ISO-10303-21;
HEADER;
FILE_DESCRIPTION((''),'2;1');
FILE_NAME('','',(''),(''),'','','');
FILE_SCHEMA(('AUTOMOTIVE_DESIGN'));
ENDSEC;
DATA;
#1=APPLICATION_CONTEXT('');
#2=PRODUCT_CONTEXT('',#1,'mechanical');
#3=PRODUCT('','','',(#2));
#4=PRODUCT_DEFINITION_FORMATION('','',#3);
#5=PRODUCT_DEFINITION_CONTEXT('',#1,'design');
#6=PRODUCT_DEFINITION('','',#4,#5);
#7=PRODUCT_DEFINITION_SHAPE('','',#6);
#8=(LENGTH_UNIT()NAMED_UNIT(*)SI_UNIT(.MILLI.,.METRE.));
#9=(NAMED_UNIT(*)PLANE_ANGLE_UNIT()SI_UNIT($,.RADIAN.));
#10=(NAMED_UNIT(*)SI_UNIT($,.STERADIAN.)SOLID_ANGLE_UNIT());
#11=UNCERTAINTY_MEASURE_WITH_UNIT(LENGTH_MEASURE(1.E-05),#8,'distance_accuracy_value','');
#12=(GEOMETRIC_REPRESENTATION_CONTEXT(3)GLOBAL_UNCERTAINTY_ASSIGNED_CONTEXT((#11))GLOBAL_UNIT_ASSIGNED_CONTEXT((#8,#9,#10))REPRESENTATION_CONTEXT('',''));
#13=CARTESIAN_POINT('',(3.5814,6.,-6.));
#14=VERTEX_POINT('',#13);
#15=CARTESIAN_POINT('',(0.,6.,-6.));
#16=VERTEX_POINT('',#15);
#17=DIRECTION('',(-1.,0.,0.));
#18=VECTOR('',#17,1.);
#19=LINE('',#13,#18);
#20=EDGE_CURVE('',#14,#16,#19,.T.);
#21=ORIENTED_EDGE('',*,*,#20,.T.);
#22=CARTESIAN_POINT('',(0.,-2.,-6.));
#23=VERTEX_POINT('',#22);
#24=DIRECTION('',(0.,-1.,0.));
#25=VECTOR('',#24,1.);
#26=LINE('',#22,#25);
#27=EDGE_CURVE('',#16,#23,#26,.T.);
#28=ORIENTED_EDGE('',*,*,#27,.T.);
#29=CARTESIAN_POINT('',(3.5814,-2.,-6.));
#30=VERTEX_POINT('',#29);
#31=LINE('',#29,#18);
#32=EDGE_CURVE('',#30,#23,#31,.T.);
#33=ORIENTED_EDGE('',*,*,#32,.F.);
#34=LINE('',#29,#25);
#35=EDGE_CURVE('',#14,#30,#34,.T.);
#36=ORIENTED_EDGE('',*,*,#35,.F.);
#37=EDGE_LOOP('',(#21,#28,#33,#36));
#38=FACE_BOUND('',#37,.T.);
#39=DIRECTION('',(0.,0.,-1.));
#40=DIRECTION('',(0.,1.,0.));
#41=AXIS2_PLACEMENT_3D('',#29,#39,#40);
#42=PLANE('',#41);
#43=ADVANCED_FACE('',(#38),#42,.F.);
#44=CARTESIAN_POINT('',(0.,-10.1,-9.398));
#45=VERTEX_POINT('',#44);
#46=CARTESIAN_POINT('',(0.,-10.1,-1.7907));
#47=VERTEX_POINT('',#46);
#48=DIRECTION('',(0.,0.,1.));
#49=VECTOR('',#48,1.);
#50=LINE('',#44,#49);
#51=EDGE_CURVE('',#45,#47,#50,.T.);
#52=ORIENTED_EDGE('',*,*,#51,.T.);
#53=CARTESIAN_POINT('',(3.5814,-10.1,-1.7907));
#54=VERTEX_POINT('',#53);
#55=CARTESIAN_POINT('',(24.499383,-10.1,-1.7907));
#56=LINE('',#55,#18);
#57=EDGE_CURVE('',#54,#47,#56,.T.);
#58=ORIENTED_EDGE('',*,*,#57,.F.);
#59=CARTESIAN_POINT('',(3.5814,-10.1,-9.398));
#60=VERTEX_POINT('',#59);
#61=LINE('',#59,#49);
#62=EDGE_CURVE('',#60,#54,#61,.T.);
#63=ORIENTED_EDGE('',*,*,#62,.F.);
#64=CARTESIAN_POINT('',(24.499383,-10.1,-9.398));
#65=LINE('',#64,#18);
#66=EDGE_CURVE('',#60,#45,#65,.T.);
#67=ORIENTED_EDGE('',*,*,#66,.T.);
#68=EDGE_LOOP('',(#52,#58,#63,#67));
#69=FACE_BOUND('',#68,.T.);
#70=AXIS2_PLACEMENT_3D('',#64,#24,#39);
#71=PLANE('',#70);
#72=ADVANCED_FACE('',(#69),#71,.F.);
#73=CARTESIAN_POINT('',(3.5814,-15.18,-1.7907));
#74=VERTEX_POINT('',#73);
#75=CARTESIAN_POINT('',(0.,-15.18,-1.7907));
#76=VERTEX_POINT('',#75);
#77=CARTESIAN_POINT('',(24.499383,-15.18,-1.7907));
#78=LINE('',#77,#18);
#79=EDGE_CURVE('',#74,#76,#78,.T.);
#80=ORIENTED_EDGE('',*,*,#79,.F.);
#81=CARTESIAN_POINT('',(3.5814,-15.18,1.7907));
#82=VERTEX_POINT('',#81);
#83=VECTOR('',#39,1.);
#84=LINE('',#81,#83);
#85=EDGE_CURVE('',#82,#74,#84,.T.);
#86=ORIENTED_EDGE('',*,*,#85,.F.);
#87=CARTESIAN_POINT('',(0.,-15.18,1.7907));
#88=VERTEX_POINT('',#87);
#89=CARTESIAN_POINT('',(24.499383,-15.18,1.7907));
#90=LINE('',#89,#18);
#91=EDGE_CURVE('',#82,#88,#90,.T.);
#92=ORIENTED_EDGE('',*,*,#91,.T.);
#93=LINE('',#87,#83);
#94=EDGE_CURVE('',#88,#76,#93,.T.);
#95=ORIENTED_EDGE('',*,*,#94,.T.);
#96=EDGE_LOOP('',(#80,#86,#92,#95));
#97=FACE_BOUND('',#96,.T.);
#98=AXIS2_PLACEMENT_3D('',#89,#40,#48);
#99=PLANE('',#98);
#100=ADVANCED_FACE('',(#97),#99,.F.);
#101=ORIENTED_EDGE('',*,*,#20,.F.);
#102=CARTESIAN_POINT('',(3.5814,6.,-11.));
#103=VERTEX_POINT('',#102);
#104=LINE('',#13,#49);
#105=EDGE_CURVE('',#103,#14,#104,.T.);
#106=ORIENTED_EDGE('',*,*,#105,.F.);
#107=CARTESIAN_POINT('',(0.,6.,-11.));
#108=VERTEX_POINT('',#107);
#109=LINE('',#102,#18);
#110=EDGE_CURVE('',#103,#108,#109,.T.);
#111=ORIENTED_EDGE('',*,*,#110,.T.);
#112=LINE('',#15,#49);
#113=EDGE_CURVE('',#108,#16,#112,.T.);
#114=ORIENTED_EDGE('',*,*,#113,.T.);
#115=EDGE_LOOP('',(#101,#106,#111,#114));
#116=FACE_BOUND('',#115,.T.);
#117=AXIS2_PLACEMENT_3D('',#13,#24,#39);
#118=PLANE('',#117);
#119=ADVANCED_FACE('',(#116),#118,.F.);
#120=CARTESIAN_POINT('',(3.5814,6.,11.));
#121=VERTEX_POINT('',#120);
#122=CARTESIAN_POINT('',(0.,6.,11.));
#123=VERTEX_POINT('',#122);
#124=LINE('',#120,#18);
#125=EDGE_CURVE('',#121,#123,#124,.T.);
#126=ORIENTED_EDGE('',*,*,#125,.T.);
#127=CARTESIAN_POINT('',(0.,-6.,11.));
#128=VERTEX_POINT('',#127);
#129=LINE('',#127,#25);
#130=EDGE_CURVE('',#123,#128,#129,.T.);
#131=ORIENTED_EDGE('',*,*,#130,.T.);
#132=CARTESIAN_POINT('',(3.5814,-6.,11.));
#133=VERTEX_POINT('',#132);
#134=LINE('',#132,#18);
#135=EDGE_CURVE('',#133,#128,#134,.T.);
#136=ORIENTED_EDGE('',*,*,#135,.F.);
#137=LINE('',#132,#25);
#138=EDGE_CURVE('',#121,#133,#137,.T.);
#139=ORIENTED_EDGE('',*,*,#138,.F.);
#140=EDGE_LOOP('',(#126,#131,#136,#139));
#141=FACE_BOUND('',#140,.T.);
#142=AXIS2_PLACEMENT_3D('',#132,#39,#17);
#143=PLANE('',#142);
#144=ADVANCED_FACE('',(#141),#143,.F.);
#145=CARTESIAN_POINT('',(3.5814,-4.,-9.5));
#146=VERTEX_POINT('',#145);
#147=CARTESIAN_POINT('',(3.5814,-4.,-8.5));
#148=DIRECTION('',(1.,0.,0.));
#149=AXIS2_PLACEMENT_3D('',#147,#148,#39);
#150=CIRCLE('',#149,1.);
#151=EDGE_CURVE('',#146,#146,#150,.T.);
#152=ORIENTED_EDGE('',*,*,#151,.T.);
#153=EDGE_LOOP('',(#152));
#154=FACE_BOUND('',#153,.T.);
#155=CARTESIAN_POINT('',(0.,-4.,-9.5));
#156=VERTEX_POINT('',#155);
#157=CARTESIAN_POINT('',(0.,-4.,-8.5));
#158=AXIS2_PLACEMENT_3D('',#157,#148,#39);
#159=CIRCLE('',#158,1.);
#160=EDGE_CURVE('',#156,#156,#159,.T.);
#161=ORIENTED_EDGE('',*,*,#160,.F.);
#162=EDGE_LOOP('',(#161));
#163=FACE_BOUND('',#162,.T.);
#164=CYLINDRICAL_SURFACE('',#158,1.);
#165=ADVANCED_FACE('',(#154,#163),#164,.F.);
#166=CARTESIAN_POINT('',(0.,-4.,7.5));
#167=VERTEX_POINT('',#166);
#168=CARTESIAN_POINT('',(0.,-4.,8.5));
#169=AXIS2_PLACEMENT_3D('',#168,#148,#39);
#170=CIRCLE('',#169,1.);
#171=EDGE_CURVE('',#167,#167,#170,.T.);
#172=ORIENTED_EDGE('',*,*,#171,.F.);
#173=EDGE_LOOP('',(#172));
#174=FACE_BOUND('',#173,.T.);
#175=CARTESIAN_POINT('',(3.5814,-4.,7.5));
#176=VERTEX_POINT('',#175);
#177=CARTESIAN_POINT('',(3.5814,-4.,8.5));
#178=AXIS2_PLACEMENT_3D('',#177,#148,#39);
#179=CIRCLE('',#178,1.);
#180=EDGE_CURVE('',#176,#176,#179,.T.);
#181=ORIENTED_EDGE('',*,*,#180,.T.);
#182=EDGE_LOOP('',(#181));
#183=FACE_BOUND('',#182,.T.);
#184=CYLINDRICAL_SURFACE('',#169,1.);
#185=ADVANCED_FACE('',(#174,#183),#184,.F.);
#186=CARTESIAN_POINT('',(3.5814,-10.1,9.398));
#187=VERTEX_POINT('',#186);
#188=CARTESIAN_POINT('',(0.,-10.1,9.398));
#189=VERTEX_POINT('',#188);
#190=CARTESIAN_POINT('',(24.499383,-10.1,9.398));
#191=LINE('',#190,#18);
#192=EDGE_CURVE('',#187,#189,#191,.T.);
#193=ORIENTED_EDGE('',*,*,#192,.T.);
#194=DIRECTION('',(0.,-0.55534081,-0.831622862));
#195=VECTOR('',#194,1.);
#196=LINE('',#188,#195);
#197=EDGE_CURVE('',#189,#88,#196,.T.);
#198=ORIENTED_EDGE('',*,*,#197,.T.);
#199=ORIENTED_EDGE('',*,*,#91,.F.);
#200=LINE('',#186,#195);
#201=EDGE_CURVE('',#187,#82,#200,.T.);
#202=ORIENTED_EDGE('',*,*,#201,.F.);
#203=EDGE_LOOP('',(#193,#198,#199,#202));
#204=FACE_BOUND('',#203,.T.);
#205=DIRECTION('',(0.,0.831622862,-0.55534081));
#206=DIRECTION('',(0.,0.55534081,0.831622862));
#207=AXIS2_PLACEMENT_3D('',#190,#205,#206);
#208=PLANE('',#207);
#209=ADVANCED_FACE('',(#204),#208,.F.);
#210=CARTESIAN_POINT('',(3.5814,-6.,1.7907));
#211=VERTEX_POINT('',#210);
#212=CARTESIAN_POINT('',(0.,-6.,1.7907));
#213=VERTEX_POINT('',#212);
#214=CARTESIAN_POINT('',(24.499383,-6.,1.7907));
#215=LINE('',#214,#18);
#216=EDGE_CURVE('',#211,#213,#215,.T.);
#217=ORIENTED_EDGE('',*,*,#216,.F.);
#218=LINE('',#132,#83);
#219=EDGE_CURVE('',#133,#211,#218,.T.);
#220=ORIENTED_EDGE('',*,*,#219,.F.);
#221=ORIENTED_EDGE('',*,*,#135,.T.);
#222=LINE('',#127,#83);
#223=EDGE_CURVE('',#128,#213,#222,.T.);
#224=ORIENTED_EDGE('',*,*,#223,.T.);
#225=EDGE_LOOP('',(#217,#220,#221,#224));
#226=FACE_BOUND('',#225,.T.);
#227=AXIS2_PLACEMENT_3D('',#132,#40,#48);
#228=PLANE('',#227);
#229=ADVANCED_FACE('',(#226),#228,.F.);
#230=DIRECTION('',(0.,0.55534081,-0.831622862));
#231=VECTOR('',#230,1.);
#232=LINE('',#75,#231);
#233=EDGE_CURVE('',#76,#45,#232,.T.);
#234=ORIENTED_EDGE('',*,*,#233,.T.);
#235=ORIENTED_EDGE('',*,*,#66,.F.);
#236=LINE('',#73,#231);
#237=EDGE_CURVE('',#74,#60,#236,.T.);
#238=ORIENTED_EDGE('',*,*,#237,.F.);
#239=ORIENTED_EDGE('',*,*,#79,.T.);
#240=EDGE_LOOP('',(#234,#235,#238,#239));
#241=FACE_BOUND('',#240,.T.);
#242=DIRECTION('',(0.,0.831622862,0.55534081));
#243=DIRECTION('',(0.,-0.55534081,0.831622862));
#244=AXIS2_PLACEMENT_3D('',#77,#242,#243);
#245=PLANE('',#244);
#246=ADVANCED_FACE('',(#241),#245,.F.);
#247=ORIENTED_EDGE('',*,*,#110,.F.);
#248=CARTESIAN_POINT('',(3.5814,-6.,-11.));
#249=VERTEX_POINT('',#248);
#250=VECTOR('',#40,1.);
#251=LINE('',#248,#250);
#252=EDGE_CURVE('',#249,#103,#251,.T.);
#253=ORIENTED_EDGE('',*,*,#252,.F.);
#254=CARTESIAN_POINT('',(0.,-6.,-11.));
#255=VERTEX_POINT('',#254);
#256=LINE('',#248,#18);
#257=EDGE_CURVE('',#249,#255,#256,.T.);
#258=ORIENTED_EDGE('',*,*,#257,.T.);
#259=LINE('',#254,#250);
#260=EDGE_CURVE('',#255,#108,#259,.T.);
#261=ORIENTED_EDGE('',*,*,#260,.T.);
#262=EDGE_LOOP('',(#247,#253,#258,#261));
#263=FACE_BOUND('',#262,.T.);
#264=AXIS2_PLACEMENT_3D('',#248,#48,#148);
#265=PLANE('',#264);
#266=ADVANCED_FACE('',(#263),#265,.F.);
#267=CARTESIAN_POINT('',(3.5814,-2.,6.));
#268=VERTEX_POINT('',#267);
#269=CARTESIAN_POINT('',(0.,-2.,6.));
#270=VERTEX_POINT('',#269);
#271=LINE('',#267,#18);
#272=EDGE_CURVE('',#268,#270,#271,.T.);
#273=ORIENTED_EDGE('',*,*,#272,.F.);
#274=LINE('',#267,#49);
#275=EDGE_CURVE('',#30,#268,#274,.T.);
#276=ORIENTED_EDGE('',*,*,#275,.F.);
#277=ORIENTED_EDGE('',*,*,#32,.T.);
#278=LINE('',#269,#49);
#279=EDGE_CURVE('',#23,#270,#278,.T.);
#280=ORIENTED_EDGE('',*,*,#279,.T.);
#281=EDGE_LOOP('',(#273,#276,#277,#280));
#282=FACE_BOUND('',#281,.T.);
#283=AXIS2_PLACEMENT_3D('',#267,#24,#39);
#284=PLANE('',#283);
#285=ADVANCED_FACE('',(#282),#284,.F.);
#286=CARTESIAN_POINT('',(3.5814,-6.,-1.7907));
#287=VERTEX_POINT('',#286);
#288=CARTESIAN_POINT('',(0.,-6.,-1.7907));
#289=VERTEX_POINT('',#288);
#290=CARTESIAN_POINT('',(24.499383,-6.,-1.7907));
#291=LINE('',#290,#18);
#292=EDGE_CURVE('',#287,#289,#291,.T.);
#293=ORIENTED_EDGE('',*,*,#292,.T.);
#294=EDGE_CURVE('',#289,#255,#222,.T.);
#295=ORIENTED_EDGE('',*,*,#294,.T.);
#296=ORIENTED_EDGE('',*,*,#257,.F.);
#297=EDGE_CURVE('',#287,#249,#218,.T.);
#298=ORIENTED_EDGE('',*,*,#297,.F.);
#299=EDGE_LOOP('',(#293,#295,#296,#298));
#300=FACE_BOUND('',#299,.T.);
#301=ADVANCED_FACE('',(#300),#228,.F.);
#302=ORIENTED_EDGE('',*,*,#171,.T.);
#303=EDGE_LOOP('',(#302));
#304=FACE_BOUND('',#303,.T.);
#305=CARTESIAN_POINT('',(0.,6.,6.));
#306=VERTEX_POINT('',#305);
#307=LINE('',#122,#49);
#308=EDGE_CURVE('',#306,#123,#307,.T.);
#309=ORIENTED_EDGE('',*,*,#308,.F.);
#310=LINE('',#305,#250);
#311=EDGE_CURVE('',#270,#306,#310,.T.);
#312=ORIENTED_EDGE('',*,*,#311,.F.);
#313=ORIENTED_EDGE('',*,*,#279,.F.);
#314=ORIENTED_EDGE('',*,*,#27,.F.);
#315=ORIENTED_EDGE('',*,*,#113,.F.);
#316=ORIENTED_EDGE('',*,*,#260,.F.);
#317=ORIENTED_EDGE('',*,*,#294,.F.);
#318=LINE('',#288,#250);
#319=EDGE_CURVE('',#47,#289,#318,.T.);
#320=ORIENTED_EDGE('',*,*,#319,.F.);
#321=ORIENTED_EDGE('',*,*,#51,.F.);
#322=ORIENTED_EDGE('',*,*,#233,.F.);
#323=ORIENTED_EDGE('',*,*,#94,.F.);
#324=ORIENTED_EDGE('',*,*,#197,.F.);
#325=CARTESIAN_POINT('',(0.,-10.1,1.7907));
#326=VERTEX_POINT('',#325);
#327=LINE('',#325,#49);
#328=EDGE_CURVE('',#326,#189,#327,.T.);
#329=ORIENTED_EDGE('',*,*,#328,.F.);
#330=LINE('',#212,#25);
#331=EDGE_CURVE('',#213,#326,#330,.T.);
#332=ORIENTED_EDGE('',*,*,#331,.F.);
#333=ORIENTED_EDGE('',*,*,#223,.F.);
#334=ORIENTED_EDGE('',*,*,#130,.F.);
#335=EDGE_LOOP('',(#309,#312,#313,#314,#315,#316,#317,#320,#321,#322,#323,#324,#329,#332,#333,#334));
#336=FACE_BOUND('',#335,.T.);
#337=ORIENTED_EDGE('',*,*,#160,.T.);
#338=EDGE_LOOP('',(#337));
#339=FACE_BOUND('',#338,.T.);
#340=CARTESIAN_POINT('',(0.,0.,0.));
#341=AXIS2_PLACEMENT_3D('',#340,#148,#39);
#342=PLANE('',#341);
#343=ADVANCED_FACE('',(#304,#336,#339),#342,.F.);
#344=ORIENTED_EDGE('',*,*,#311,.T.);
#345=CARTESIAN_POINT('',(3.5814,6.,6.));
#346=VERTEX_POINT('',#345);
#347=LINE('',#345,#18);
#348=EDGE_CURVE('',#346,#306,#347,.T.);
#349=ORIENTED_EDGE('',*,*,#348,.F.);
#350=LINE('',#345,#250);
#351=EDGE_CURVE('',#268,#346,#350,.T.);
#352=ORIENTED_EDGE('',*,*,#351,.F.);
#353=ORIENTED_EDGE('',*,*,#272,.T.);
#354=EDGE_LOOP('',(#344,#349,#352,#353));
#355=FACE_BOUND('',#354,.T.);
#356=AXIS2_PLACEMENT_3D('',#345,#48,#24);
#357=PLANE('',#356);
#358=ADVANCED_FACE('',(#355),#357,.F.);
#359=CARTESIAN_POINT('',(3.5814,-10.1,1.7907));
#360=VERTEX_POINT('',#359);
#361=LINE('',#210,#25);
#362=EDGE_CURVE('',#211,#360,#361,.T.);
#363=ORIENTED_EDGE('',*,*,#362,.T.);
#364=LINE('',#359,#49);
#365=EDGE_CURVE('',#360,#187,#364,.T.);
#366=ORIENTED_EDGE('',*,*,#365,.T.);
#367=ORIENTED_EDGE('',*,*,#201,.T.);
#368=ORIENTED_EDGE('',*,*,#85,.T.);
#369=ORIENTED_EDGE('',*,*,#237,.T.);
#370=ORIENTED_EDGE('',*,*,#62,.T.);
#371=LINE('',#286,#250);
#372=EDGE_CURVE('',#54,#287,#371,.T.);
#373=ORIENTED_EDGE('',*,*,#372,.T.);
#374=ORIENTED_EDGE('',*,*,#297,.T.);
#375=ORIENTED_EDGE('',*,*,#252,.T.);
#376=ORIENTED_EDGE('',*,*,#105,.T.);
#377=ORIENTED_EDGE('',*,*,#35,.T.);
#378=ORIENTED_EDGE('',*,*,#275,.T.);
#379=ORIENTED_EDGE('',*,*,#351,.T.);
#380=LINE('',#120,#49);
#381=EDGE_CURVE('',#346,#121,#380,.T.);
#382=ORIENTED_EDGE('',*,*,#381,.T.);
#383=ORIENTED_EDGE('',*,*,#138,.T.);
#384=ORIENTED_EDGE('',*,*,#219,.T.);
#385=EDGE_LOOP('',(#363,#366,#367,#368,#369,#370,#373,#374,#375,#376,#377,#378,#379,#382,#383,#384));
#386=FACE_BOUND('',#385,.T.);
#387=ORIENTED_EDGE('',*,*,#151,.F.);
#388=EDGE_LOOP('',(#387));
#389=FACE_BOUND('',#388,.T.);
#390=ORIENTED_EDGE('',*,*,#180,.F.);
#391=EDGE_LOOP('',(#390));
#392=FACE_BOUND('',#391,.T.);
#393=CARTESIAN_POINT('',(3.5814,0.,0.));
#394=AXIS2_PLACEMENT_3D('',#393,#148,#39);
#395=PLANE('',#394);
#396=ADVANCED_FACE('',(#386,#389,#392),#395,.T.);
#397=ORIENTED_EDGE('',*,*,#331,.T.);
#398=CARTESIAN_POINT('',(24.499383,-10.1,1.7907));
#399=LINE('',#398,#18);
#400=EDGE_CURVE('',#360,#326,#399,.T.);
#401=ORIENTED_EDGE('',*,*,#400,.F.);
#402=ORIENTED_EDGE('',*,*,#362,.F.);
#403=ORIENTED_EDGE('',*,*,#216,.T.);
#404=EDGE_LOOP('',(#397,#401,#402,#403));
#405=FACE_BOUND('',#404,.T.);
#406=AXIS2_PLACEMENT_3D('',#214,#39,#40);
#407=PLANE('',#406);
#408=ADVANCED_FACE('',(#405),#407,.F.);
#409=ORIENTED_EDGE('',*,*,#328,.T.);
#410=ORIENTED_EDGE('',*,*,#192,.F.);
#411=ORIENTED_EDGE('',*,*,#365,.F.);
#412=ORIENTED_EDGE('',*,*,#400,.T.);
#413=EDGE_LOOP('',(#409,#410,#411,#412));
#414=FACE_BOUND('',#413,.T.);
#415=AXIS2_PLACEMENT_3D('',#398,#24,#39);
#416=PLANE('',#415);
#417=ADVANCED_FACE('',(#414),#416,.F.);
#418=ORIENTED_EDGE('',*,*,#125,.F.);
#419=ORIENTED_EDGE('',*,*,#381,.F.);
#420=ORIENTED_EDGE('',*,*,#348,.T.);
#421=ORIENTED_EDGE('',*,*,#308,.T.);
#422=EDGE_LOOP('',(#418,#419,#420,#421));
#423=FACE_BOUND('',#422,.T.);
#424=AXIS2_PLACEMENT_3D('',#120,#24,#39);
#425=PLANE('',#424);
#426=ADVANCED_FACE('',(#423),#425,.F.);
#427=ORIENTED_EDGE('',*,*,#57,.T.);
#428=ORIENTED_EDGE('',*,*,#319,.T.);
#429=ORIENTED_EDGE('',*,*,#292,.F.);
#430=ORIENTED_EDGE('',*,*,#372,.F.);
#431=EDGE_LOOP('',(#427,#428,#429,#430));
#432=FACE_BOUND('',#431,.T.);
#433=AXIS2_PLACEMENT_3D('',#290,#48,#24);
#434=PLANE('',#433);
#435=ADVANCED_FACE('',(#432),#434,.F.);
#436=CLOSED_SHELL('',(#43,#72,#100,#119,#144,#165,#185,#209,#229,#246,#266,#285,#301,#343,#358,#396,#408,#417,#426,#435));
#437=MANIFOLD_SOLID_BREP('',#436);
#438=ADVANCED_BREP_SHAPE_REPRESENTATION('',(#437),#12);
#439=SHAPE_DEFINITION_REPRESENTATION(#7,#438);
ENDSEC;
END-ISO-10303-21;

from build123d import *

# Parameters (mm, degrees)
BOSS_EXTRUDE1_DEPTH = 3.5814
SKETCH7_R           = 1
CUT_EXTRUDE5_DEPTH  = 4.5814
BOSS_EXTRUDE3_DEPTH = 3.5814


with BuildPart() as part:
    # Sketch1 → Boss-Extrude1 (new body)
    with BuildSketch(Plane(origin=(0, 0, 0), x_dir=(0, 0, -1), z_dir=(1, 0, 0))):
        Polygon((-6, 6), (-6, -2), (6, -2), (6, 6), (11, 6), (11, -6), (-11, -6), (-11, 6), align=None)
    extrude(amount=BOSS_EXTRUDE1_DEPTH)

    # Sketch7 → Cut-Extrude5 (cut, through all)
    with BuildSketch(Plane(origin=(3.5814, 0, 0), x_dir=(0, 0, -1), z_dir=(1, 0, 0))):
        with Locations((-8.5, -4)):
            Circle(SKETCH7_R)
        with Locations((8.5, -4)):
            Circle(SKETCH7_R)
    extrude(amount=-CUT_EXTRUDE5_DEPTH, mode=Mode.SUBTRACT)

    # Sketch8 → Boss-Extrude3 (add)
    with BuildSketch(Plane(origin=(0, 0, 0), x_dir=(0, 0, -1), z_dir=(1, 0, 0))):
        Polygon((-1.7907, -10.1), (-9.398, -10.1), (-1.7907, -15.18), (1.7907, -15.18), (9.398, -10.1), (1.7907, -10.1), (1.7907, -6), (-1.7907, -6), align=None)
    extrude(amount=BOSS_EXTRUDE3_DEPTH)


solid = part.part
